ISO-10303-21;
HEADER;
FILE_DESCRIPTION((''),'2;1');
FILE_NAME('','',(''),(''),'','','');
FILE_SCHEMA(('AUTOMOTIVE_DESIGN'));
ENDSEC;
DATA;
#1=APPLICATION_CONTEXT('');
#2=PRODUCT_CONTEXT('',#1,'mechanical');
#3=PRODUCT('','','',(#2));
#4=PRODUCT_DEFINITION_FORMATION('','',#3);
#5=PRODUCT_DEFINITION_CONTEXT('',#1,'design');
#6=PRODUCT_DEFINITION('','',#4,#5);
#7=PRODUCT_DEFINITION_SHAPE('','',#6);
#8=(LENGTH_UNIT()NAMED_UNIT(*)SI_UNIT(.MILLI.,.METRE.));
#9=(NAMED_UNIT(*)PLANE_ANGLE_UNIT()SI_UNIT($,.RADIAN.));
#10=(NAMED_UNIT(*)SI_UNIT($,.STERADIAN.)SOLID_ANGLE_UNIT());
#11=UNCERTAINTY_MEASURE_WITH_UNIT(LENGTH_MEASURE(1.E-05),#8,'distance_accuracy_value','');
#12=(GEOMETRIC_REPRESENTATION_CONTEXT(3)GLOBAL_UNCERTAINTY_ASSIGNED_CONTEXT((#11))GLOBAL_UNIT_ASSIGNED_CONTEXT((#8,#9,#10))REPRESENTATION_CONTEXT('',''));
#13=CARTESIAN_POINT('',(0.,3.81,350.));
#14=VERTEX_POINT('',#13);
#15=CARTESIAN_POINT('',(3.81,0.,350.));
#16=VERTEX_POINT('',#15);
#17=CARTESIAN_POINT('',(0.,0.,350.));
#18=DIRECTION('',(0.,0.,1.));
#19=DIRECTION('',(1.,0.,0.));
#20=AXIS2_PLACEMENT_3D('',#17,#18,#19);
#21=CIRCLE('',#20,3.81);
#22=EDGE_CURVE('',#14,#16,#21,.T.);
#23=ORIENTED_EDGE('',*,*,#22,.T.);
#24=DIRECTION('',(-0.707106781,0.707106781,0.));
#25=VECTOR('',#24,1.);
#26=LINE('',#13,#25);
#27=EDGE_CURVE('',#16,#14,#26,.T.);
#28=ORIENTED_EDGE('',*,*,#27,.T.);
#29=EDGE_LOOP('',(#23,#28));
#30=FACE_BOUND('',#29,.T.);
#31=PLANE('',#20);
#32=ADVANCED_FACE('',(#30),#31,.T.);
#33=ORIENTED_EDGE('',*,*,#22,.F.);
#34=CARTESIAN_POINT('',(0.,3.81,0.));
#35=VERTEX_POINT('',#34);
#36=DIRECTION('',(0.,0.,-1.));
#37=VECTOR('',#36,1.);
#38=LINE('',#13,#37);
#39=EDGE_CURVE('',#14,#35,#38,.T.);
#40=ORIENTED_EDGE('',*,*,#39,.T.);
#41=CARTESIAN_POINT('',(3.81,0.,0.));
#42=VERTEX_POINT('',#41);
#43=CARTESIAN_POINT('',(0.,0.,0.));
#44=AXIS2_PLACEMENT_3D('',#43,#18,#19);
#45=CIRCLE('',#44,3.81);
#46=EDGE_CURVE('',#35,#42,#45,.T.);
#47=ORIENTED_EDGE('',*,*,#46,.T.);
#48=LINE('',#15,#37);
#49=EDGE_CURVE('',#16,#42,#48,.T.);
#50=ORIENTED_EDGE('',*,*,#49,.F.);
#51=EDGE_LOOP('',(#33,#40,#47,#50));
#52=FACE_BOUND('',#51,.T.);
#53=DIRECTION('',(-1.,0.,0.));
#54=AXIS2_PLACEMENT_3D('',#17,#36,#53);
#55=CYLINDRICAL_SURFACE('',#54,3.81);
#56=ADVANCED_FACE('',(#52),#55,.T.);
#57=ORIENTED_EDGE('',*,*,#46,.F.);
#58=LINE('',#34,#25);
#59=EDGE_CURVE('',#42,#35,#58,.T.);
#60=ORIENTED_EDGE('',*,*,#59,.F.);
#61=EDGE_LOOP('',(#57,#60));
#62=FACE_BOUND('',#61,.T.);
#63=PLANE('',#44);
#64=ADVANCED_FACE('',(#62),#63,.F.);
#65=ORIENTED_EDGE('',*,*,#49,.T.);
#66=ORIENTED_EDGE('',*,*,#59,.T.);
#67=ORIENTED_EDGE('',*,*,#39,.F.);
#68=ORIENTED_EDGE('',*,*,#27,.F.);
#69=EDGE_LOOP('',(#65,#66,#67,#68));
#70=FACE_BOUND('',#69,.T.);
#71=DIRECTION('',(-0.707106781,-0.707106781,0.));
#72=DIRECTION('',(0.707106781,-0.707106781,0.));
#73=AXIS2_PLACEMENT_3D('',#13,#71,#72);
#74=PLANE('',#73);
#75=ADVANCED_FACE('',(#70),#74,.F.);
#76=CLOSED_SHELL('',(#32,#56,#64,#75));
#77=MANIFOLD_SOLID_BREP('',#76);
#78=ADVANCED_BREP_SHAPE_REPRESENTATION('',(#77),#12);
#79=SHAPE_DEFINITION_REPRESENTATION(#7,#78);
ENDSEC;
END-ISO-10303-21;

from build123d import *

# Parameters (mm, degrees)
BOSS_EXTRUDE1_DEPTH = 350


with BuildPart() as part:
    # Sketch1 → Boss-Extrude1 (new body)
    with BuildSketch(Plane.XY):
        with BuildLine():
            Line((0, 3.81), (3.81, 0))
            ThreePointArc((3.81, 0), (-2.694076836, -2.694076836), (0, 3.81))
        make_face()
    extrude(amount=BOSS_EXTRUDE1_DEPTH)


solid = part.part
